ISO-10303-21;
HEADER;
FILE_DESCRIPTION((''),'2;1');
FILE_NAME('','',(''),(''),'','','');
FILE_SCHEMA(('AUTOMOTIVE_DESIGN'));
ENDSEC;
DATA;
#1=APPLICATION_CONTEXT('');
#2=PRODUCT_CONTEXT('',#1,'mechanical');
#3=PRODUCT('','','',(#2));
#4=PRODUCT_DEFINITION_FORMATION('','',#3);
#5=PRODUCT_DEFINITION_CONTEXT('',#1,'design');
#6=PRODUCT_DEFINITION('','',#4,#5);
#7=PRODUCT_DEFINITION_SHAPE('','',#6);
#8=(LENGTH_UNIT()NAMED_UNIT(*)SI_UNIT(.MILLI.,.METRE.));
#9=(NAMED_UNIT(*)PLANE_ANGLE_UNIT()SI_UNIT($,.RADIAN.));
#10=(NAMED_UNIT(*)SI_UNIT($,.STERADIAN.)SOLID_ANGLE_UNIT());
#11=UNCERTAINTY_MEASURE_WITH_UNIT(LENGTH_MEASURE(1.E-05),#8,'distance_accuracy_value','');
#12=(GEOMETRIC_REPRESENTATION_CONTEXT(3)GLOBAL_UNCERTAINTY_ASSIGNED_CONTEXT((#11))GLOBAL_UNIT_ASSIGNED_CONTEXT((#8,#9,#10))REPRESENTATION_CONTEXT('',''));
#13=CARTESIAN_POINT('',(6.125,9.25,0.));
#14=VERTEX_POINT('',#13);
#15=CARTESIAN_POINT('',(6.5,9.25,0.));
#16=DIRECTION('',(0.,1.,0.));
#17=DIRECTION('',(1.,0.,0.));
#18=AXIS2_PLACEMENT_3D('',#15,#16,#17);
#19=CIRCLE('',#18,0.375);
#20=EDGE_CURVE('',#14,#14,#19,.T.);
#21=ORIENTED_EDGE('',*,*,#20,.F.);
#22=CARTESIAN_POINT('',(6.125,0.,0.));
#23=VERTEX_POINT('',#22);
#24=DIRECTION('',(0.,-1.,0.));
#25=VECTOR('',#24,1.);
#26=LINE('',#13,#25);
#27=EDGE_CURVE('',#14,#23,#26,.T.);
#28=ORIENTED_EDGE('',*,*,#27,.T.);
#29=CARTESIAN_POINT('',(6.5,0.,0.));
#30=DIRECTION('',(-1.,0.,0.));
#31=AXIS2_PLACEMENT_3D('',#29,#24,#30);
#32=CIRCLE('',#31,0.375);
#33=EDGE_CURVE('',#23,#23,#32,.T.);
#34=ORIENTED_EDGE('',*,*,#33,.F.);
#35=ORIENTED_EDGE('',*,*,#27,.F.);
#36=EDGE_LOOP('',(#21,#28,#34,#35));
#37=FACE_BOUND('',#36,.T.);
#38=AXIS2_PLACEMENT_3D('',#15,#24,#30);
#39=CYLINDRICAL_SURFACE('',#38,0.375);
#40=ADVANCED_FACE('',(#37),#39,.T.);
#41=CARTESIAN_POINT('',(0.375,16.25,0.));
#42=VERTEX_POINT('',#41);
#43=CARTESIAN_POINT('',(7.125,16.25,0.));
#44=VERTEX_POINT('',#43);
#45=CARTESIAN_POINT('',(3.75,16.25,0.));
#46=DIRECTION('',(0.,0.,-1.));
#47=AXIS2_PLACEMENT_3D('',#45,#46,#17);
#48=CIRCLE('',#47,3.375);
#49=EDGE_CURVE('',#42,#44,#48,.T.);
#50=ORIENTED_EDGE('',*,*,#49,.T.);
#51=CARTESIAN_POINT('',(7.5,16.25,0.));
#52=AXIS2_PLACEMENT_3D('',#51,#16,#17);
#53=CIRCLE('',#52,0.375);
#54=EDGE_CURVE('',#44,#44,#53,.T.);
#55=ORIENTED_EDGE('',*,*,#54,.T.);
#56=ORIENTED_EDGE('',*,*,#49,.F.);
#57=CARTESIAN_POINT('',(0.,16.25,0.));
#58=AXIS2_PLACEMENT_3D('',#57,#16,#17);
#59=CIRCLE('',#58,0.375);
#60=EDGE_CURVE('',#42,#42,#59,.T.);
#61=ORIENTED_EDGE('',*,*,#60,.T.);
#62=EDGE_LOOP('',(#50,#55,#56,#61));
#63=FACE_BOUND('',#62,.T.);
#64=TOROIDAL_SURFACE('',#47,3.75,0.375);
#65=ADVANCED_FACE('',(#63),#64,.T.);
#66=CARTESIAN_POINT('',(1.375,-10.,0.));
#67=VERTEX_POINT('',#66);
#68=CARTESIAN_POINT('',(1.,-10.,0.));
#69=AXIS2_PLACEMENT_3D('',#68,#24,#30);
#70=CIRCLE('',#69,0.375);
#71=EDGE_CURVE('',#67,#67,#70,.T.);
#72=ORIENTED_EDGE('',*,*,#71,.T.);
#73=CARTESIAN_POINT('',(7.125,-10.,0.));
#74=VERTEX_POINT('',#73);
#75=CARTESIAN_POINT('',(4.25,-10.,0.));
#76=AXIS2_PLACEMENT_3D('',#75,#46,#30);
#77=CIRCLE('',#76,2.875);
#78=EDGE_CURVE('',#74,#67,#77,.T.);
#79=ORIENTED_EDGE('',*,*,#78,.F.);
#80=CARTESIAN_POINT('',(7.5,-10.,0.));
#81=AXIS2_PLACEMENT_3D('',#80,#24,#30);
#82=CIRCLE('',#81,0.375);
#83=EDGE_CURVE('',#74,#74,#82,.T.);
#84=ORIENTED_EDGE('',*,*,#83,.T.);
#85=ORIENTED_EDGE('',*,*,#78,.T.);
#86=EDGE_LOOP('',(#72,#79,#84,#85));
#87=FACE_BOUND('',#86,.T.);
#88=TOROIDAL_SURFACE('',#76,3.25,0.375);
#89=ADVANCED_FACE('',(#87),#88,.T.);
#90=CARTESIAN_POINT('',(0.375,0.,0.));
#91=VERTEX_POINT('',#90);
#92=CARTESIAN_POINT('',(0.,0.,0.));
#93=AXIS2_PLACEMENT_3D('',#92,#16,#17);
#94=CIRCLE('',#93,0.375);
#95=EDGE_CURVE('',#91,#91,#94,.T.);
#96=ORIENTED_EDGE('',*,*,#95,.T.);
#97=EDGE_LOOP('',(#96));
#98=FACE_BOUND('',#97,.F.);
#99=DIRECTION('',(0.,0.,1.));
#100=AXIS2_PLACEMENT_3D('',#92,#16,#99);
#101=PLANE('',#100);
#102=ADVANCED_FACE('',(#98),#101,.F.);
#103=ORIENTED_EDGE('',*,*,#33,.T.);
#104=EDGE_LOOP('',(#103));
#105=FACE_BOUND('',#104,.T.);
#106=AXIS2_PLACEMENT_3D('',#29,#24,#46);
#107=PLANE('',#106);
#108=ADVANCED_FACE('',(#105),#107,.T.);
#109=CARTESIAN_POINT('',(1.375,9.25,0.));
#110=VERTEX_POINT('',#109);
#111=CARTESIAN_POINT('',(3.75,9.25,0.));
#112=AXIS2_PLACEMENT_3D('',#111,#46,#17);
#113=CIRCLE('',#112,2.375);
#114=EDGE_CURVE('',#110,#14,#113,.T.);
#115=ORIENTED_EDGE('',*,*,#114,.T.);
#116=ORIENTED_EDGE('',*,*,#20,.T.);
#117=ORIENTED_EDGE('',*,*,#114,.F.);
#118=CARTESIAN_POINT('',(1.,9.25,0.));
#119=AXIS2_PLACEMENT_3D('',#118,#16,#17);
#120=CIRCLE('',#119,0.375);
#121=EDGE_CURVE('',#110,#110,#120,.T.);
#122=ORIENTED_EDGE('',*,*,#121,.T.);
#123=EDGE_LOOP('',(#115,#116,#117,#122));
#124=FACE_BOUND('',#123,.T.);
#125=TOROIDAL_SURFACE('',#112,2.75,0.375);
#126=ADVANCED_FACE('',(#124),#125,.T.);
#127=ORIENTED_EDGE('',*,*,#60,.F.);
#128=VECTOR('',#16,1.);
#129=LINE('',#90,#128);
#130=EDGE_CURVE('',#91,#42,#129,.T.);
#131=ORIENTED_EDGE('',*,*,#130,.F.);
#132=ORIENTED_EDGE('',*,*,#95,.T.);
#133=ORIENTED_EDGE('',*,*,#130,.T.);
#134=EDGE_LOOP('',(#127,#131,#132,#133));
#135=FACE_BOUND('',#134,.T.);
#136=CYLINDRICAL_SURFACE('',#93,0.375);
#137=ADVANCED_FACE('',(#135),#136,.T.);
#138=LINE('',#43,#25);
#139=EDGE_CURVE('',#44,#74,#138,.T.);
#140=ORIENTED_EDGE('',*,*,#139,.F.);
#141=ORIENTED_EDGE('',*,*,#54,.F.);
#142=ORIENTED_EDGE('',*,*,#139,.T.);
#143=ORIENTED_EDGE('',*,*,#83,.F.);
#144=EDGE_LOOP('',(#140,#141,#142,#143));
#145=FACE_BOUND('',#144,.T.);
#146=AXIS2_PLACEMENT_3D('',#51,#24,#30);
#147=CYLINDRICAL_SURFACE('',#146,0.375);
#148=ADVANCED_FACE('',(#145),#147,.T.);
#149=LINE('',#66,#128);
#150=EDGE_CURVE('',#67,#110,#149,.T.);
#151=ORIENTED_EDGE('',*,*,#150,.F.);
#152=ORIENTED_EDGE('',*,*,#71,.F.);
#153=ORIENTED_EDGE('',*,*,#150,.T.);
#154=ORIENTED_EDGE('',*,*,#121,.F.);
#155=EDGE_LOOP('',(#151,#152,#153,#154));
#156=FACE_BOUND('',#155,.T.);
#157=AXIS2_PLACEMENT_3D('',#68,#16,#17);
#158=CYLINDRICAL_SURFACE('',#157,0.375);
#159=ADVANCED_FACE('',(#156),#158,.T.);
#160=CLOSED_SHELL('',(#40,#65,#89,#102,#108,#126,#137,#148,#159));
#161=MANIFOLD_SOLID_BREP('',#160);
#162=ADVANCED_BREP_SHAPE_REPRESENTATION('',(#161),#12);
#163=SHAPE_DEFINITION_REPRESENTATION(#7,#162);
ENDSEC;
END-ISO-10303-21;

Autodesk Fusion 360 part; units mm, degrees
sketch " sweep path" plane through (0, 0, 0) normal (0, 0, 1) x (1, 0, 0)
  line L0 (0, 0) -> (0, 16.25)
  line L1 (0, 16.25) -> (7.5, 16.25) construction
  line L2 (7.5, 16.25) -> (7.5, -10)
  line L3 (7.5, -10) -> (1, -10) construction
  line L4 (1, -10) -> (1, 9.25)
  line L5 (1, 9.25) -> (6.5, 9.25) construction
  line L6 (6.5, 9.25) -> (6.5, 0)
  arc A0 (7.5, 16.25) -> (0, 16.25) centre (3.75, 16.25) ccw
  arc A1 (6.5, 9.25) -> (1, 9.25) centre (3.75, 9.25) ccw
  arc A2 (1, -10) -> (7.5, -10) centre (4.25, -10) ccw
  dimension "d2" = 16.25
  dimension "d3" = 7.5
  dimension "d4" = 26.25
  dimension "d5" = 6.5
  dimension "d7" = 19.25
  dimension "d8" = 5.5
  dimension "d9" = 9.25
sketch " sweep profile" plane through (0, 0, 0) normal (0, 1, 0) x (1, 0, 0)
  circle A0 centre (0, 0) radius 0.375
  dimension "d10" = 0.75
sweep "Sweep1" add profiles " sweep profile" path " sweep path" along L0 A0 L2 A2 L4 A1 L6 section 1
